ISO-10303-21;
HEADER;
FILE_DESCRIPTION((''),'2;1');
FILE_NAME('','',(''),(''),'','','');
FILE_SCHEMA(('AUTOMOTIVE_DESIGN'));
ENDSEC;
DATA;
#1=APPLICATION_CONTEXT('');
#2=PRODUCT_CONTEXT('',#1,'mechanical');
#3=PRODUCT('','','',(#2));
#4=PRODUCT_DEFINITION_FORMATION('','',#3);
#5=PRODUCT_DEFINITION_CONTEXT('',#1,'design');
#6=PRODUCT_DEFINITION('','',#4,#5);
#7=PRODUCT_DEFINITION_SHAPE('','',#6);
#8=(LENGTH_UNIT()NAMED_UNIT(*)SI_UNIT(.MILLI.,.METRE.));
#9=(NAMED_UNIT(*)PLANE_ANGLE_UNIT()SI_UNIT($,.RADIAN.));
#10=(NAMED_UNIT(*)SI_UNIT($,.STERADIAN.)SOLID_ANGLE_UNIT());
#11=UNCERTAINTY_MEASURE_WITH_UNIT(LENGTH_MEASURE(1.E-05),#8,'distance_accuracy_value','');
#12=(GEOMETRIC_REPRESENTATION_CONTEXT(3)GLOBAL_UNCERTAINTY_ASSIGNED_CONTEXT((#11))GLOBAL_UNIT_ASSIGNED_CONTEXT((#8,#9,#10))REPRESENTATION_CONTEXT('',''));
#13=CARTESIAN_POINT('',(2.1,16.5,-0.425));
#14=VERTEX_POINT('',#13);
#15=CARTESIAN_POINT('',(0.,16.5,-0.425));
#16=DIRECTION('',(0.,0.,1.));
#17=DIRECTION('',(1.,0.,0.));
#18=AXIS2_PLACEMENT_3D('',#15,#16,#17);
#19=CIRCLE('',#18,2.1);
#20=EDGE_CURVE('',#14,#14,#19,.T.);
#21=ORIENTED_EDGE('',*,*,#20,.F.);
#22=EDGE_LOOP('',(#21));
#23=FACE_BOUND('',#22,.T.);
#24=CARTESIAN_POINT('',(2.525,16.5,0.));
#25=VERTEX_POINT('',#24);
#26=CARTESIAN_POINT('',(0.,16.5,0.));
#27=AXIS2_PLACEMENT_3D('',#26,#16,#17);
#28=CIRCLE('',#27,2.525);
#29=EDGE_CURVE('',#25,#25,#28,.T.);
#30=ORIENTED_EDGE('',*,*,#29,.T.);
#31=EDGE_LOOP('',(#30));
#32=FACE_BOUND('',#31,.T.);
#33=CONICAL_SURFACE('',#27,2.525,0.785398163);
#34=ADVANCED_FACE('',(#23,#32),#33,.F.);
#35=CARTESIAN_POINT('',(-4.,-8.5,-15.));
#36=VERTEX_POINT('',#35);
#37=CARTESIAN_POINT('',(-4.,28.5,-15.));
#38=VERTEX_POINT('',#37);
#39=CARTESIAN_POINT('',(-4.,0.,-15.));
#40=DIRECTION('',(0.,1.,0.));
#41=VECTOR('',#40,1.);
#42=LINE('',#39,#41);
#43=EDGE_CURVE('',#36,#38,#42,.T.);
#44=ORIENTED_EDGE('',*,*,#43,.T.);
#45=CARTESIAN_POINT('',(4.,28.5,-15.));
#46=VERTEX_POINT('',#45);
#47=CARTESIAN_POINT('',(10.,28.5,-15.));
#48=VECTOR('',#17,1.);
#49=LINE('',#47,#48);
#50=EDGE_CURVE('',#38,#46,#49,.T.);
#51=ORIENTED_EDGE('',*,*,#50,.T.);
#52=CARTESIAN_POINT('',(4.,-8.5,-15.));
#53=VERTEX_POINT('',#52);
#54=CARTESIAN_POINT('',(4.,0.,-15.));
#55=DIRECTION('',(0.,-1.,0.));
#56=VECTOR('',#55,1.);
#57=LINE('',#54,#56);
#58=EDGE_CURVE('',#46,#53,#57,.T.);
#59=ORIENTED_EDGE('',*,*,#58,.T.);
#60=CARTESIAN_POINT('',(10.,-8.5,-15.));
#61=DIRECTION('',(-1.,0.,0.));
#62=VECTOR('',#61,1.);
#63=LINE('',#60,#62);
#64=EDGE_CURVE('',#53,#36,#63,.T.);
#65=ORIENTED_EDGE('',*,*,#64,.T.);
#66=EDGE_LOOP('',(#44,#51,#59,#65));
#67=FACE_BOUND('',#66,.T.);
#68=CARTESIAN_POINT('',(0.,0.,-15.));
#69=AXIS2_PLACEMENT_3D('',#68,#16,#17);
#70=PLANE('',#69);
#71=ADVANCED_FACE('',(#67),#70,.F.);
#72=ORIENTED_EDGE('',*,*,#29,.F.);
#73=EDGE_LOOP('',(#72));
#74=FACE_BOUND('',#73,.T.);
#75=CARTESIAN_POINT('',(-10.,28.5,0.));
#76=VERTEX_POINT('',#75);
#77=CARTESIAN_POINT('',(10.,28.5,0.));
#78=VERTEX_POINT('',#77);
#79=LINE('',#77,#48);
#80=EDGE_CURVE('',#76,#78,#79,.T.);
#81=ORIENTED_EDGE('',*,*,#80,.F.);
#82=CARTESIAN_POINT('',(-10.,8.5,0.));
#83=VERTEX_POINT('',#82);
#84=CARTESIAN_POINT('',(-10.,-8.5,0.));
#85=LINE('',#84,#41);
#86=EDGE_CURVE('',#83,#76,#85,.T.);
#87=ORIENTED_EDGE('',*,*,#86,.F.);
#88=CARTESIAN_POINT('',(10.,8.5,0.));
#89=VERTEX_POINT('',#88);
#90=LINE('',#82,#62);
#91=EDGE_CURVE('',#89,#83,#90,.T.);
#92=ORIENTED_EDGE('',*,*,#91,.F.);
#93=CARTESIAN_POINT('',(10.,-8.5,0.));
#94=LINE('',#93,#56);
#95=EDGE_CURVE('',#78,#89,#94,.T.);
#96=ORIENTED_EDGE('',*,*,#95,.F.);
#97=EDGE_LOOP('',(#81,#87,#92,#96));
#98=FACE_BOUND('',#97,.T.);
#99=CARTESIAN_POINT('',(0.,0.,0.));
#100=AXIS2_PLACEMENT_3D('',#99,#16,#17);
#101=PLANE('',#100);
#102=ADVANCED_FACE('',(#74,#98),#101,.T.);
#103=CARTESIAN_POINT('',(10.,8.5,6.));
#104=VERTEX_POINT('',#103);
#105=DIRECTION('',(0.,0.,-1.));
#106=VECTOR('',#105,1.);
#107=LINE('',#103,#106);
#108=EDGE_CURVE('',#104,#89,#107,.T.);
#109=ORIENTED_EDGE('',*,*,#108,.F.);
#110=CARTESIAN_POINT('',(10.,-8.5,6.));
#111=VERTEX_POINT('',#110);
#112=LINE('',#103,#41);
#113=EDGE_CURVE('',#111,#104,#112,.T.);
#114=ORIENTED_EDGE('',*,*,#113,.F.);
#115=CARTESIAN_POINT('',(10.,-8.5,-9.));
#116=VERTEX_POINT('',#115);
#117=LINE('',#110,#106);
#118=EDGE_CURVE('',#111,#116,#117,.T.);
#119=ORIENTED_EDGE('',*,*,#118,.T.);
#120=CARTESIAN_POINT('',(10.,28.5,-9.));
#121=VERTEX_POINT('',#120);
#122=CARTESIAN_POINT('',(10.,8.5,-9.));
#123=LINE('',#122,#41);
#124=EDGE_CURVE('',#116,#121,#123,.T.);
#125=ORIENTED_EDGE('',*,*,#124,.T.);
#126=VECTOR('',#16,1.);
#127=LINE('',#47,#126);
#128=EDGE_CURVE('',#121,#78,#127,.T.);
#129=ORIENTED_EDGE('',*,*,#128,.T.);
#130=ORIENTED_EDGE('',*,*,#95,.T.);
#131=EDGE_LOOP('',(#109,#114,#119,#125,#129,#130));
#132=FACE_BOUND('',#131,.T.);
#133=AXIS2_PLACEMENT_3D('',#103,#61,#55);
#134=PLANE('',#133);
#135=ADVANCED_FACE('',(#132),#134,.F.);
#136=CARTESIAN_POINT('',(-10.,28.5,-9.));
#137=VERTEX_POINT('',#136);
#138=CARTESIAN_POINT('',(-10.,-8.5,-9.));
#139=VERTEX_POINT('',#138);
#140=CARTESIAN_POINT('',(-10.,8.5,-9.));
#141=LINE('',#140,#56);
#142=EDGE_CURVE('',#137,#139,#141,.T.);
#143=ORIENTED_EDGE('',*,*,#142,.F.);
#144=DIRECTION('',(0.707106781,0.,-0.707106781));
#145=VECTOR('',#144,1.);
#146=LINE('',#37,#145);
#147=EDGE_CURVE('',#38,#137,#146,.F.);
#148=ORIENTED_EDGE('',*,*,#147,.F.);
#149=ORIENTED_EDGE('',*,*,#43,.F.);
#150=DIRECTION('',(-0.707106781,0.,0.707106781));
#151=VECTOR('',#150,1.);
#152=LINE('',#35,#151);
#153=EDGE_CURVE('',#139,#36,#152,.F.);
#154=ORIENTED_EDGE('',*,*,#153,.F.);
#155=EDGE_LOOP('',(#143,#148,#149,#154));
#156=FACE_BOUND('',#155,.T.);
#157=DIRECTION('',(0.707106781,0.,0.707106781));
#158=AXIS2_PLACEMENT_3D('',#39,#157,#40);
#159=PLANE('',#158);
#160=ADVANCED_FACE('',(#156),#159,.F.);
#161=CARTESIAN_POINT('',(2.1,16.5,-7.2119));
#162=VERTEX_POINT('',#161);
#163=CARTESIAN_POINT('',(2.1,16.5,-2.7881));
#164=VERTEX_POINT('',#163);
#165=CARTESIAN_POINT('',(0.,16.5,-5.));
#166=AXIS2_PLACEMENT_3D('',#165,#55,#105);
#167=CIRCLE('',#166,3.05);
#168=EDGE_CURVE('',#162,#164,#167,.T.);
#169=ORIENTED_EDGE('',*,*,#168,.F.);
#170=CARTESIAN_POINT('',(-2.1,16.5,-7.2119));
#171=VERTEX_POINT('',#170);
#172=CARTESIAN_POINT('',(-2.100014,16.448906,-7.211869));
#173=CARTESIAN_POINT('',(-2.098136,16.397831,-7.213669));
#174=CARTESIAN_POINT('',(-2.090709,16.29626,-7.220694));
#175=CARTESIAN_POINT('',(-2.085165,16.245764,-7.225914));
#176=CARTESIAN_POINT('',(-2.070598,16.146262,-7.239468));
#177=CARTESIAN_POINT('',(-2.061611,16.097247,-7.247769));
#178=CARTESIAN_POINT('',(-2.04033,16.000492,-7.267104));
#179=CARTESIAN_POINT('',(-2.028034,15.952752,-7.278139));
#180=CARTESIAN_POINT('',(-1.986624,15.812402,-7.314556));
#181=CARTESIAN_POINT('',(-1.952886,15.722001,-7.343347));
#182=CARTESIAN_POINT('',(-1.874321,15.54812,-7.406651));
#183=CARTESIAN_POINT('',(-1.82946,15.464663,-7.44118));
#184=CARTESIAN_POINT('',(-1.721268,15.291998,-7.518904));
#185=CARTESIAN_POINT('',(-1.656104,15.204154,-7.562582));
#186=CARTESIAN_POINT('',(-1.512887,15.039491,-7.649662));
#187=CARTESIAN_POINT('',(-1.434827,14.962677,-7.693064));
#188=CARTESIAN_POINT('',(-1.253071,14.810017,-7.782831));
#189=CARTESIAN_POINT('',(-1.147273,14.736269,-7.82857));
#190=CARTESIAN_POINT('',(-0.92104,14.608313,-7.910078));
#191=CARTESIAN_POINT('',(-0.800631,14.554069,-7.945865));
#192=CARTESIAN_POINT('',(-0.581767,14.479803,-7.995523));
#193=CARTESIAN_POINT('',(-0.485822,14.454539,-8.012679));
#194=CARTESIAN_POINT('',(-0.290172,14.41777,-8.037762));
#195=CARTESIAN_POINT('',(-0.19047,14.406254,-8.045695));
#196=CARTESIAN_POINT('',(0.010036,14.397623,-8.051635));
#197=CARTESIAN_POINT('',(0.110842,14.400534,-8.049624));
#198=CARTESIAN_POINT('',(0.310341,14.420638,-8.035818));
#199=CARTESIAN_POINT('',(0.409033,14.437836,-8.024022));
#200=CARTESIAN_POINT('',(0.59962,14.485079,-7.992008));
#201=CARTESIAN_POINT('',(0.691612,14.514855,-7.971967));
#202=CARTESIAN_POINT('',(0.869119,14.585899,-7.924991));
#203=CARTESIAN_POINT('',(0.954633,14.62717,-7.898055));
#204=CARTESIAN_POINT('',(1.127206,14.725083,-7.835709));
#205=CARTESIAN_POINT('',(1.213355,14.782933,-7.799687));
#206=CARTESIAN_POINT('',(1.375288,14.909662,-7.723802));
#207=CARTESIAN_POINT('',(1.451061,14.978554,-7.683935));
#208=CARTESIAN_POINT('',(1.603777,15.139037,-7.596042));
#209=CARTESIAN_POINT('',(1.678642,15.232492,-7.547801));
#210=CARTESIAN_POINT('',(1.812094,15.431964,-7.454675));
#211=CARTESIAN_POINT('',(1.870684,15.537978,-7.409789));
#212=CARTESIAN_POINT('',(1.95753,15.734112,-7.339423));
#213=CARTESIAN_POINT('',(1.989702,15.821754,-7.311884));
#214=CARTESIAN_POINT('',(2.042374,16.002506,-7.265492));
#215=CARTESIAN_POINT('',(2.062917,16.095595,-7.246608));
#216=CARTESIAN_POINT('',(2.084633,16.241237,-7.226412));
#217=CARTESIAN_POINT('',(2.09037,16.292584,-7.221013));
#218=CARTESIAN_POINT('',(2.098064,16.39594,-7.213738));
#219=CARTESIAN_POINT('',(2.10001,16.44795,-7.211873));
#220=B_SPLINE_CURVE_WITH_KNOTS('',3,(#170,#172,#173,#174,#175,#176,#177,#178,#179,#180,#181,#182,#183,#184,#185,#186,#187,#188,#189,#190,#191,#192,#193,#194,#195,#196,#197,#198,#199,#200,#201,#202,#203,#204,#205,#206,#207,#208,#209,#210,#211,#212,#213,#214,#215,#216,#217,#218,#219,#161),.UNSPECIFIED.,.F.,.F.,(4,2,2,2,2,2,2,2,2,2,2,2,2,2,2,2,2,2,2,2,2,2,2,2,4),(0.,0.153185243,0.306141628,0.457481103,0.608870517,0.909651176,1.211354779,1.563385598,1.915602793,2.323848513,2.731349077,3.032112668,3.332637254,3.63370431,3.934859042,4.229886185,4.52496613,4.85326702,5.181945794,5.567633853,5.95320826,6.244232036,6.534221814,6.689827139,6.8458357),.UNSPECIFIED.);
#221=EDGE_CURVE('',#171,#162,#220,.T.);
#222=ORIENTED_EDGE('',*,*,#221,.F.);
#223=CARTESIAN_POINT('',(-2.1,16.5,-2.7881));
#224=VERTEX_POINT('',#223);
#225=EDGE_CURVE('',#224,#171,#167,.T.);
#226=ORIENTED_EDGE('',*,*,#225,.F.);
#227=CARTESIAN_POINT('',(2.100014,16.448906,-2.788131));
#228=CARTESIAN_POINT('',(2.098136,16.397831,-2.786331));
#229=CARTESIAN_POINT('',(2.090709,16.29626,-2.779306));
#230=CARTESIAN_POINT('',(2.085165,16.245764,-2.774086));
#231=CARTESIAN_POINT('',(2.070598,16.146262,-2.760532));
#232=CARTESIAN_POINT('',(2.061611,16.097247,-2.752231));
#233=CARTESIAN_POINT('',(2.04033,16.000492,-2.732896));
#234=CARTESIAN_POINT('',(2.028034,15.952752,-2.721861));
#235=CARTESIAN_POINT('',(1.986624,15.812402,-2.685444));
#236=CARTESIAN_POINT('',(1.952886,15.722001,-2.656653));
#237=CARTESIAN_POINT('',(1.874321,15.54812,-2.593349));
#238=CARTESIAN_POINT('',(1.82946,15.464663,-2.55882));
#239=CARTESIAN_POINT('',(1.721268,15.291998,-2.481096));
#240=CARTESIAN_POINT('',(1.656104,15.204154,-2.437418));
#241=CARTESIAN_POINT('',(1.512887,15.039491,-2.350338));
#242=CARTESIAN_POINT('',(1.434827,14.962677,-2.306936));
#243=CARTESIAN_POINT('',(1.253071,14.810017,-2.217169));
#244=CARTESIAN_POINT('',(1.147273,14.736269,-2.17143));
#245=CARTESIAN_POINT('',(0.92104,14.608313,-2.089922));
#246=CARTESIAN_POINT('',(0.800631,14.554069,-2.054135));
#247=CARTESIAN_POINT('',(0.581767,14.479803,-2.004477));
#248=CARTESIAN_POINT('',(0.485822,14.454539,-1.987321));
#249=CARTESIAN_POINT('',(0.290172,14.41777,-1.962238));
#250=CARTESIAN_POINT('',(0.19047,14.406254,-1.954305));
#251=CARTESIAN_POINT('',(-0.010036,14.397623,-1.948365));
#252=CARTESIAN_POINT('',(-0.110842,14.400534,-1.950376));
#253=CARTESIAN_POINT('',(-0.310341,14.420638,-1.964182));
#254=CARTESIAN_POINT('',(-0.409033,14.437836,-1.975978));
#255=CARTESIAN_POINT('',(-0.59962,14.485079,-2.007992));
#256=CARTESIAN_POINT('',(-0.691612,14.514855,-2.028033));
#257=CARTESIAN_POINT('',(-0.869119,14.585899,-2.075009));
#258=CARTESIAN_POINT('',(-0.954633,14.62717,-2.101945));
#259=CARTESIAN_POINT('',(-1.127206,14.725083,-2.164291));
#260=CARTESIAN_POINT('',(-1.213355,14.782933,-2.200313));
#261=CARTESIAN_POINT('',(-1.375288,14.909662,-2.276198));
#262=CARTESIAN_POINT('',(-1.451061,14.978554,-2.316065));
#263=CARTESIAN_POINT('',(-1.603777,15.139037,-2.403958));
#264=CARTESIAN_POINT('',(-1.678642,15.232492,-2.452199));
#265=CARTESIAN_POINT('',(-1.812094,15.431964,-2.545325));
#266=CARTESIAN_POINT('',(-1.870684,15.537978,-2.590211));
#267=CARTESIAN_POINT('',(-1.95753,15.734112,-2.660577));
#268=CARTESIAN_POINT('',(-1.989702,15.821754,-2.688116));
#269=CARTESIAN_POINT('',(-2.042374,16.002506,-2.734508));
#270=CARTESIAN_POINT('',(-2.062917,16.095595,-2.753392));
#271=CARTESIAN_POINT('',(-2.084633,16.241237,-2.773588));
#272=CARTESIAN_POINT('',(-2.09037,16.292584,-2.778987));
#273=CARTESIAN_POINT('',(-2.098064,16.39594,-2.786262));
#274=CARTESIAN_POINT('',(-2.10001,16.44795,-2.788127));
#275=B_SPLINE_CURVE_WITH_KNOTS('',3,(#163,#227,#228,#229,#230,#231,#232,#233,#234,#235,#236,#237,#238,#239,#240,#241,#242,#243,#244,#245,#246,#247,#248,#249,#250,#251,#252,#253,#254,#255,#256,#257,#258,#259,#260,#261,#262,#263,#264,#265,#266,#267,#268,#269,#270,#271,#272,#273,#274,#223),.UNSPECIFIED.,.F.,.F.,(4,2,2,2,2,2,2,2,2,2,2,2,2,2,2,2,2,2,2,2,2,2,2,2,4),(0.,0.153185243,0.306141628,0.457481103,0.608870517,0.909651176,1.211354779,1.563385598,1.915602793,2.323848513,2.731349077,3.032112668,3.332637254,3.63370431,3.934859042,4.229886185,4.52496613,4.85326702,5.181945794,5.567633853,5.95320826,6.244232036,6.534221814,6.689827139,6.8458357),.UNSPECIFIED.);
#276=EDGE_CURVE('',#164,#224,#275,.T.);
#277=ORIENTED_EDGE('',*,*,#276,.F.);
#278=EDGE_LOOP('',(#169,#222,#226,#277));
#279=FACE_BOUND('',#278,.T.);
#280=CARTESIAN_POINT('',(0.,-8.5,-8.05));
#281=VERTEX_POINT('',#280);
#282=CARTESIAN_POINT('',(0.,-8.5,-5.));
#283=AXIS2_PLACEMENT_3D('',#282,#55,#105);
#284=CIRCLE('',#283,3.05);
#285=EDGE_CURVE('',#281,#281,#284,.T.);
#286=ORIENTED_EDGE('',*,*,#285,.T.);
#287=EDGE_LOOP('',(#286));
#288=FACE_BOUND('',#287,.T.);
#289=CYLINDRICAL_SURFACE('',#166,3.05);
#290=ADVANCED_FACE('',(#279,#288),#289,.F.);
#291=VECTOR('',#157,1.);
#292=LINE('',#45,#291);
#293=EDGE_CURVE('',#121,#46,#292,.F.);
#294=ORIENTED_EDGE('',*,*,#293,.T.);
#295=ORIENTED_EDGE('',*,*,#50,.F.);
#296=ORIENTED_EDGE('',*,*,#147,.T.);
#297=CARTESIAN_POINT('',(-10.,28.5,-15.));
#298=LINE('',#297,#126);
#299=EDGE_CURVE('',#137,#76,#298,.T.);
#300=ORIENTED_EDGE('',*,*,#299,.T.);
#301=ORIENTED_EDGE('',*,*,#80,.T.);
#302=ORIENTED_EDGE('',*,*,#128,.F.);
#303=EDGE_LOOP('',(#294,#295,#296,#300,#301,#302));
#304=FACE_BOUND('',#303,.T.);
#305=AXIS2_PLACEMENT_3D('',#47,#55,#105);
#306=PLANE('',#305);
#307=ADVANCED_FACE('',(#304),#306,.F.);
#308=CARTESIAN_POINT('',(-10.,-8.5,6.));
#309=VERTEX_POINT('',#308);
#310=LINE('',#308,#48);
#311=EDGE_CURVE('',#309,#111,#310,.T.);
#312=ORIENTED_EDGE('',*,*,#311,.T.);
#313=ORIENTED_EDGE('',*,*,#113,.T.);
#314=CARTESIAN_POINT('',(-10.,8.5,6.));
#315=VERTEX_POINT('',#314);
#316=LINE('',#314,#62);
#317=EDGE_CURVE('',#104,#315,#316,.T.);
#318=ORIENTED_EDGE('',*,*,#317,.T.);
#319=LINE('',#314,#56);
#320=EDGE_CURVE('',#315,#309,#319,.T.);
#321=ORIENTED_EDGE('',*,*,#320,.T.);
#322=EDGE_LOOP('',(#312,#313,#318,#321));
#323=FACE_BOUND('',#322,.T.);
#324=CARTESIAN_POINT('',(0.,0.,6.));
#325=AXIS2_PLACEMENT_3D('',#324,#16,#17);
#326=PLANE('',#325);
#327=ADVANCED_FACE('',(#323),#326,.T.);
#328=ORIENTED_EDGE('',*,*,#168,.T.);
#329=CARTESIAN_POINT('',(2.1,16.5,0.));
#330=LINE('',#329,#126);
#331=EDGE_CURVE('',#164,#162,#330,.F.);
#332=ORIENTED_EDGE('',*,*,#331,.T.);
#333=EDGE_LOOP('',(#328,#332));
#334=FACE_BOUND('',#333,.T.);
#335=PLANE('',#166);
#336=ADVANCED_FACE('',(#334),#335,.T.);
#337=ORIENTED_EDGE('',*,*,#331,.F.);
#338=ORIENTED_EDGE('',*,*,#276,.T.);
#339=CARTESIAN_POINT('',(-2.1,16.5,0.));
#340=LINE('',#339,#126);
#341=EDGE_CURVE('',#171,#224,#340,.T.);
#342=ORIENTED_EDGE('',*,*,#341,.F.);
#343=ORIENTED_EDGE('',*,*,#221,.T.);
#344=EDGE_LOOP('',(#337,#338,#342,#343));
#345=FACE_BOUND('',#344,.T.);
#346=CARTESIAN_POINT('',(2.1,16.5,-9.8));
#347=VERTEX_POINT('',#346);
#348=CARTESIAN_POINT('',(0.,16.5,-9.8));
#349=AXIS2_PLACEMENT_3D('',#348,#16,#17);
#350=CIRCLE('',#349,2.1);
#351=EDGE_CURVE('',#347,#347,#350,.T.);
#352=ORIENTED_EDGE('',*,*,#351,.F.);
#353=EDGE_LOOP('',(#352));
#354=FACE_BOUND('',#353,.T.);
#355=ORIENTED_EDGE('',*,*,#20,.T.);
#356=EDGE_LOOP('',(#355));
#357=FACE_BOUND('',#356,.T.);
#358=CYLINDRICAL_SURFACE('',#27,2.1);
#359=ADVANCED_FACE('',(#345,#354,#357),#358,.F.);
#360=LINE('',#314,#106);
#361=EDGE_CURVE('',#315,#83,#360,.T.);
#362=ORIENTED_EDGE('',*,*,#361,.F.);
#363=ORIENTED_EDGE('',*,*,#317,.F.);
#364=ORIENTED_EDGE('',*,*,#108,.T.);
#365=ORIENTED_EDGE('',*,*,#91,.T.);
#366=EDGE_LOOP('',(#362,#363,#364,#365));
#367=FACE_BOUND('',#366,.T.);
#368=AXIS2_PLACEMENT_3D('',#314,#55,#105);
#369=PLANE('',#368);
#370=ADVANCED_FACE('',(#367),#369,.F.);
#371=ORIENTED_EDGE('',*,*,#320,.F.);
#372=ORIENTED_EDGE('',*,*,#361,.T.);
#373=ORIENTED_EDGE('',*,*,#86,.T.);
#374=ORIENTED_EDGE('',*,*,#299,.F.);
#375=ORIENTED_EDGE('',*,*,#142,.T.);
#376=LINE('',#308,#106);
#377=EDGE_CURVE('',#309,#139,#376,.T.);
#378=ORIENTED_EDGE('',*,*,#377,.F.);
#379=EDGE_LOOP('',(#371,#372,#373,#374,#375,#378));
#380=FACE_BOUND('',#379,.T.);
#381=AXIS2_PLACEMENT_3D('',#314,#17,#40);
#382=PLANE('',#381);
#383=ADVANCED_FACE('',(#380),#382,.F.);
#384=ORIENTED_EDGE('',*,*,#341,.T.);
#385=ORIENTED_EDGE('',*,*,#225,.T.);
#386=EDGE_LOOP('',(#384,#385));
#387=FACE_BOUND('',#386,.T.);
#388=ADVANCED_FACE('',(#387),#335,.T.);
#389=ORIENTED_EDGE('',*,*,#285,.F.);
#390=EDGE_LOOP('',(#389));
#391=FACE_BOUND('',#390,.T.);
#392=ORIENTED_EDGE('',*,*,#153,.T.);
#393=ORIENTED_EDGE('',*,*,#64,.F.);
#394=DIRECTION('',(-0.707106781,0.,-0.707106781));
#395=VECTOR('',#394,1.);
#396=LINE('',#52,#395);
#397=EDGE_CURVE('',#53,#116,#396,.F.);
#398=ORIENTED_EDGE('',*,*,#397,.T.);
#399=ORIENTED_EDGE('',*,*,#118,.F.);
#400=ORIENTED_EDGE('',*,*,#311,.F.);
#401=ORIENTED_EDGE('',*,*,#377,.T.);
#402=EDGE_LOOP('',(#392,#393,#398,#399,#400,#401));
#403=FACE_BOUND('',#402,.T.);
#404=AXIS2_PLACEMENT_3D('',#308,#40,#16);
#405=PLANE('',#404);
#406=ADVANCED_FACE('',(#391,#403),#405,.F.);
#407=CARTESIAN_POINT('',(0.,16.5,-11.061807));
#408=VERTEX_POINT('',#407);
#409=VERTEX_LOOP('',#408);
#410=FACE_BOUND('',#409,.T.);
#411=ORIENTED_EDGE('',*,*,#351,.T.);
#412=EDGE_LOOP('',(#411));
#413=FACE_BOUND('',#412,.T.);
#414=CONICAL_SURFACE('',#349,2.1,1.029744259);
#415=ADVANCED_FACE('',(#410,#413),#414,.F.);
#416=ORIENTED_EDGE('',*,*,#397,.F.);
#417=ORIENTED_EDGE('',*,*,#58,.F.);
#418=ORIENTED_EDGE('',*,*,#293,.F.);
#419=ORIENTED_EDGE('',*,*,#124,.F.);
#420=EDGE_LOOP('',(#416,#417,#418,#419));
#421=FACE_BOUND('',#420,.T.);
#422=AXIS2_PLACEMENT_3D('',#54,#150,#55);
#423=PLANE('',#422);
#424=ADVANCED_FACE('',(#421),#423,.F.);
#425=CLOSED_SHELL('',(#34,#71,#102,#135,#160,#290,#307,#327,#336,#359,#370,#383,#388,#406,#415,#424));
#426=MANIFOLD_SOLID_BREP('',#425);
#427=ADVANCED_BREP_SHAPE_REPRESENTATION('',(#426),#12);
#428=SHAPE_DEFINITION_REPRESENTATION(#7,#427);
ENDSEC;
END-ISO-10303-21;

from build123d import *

# Parameters (mm, degrees)
SKETCH1_W                   = 20
SKETCH1_H                   = 17
BOSS_EXTRUDE1_DEPTH         = 6
SKETCH2_W                   = 20
SKETCH2_H                   = 37
BOSS_EXTRUDE2_DEPTH         = 15
M5_TAPPED_HOLE1_D           = 4.2
M5_TAPPED_HOLE1_DEPTH       = 9.8
M5_TAPPED_HOLE1_CSINK_D     = 5.05
M5_TAPPED_HOLE1_CSINK_ANGLE = 90
M5_TAPPED_HOLE1_TIP         = 1.2618073
SKETCH5_R                   = 3.05
CUT_EXTRUDE1_DEPTH          = 25
CHAMFER1_SIZE               = 6


with BuildPart() as part:
    # Sketch1 → Boss-Extrude1 (new body)
    with BuildSketch(Plane.XY):
        Rectangle(SKETCH1_W, SKETCH1_H)
    extrude(amount=BOSS_EXTRUDE1_DEPTH)

    # Sketch2 → Boss-Extrude2 (add)
    with BuildSketch(Plane(origin=(0, 0, 0), x_dir=(-1, 0, 0), z_dir=(0, 0, -1))):
        with Locations((0, 10)):
            Rectangle(SKETCH2_W, SKETCH2_H)
    extrude(amount=BOSS_EXTRUDE2_DEPTH)

    # M5 Tapped Hole1
    with Locations(Plane(origin=(0, 16.5, 0), x_dir=(1, 0, 0), z_dir=(0, 0, 1))):
        with Locations((0, 0)):
            CounterSinkHole(M5_TAPPED_HOLE1_D / 2, M5_TAPPED_HOLE1_CSINK_D / 2, depth=M5_TAPPED_HOLE1_DEPTH, counter_sink_angle=M5_TAPPED_HOLE1_CSINK_ANGLE)
            with Locations((0, 0, -(M5_TAPPED_HOLE1_DEPTH + M5_TAPPED_HOLE1_TIP / 2))):  # 118° drill point
                Cone(0, M5_TAPPED_HOLE1_D / 2, M5_TAPPED_HOLE1_TIP, mode=Mode.SUBTRACT)

    # Sketch5 → Cut-Extrude1 (cut)
    with BuildSketch(Plane.XZ.offset(8.5)):
        with Locations(Location((0, -5, 0), (0, 0, 270))):
            Circle(SKETCH5_R)
    extrude(amount=-CUT_EXTRUDE1_DEPTH, mode=Mode.SUBTRACT)

    # Chamfer1
    chamfer1_edges = [part.edges().sort_by_distance(p)[0] for p in [
        (10, 10, -15),
        (-10, 10, -15),
    ]]
    chamfer(chamfer1_edges, length=CHAMFER1_SIZE)


solid = part.part
